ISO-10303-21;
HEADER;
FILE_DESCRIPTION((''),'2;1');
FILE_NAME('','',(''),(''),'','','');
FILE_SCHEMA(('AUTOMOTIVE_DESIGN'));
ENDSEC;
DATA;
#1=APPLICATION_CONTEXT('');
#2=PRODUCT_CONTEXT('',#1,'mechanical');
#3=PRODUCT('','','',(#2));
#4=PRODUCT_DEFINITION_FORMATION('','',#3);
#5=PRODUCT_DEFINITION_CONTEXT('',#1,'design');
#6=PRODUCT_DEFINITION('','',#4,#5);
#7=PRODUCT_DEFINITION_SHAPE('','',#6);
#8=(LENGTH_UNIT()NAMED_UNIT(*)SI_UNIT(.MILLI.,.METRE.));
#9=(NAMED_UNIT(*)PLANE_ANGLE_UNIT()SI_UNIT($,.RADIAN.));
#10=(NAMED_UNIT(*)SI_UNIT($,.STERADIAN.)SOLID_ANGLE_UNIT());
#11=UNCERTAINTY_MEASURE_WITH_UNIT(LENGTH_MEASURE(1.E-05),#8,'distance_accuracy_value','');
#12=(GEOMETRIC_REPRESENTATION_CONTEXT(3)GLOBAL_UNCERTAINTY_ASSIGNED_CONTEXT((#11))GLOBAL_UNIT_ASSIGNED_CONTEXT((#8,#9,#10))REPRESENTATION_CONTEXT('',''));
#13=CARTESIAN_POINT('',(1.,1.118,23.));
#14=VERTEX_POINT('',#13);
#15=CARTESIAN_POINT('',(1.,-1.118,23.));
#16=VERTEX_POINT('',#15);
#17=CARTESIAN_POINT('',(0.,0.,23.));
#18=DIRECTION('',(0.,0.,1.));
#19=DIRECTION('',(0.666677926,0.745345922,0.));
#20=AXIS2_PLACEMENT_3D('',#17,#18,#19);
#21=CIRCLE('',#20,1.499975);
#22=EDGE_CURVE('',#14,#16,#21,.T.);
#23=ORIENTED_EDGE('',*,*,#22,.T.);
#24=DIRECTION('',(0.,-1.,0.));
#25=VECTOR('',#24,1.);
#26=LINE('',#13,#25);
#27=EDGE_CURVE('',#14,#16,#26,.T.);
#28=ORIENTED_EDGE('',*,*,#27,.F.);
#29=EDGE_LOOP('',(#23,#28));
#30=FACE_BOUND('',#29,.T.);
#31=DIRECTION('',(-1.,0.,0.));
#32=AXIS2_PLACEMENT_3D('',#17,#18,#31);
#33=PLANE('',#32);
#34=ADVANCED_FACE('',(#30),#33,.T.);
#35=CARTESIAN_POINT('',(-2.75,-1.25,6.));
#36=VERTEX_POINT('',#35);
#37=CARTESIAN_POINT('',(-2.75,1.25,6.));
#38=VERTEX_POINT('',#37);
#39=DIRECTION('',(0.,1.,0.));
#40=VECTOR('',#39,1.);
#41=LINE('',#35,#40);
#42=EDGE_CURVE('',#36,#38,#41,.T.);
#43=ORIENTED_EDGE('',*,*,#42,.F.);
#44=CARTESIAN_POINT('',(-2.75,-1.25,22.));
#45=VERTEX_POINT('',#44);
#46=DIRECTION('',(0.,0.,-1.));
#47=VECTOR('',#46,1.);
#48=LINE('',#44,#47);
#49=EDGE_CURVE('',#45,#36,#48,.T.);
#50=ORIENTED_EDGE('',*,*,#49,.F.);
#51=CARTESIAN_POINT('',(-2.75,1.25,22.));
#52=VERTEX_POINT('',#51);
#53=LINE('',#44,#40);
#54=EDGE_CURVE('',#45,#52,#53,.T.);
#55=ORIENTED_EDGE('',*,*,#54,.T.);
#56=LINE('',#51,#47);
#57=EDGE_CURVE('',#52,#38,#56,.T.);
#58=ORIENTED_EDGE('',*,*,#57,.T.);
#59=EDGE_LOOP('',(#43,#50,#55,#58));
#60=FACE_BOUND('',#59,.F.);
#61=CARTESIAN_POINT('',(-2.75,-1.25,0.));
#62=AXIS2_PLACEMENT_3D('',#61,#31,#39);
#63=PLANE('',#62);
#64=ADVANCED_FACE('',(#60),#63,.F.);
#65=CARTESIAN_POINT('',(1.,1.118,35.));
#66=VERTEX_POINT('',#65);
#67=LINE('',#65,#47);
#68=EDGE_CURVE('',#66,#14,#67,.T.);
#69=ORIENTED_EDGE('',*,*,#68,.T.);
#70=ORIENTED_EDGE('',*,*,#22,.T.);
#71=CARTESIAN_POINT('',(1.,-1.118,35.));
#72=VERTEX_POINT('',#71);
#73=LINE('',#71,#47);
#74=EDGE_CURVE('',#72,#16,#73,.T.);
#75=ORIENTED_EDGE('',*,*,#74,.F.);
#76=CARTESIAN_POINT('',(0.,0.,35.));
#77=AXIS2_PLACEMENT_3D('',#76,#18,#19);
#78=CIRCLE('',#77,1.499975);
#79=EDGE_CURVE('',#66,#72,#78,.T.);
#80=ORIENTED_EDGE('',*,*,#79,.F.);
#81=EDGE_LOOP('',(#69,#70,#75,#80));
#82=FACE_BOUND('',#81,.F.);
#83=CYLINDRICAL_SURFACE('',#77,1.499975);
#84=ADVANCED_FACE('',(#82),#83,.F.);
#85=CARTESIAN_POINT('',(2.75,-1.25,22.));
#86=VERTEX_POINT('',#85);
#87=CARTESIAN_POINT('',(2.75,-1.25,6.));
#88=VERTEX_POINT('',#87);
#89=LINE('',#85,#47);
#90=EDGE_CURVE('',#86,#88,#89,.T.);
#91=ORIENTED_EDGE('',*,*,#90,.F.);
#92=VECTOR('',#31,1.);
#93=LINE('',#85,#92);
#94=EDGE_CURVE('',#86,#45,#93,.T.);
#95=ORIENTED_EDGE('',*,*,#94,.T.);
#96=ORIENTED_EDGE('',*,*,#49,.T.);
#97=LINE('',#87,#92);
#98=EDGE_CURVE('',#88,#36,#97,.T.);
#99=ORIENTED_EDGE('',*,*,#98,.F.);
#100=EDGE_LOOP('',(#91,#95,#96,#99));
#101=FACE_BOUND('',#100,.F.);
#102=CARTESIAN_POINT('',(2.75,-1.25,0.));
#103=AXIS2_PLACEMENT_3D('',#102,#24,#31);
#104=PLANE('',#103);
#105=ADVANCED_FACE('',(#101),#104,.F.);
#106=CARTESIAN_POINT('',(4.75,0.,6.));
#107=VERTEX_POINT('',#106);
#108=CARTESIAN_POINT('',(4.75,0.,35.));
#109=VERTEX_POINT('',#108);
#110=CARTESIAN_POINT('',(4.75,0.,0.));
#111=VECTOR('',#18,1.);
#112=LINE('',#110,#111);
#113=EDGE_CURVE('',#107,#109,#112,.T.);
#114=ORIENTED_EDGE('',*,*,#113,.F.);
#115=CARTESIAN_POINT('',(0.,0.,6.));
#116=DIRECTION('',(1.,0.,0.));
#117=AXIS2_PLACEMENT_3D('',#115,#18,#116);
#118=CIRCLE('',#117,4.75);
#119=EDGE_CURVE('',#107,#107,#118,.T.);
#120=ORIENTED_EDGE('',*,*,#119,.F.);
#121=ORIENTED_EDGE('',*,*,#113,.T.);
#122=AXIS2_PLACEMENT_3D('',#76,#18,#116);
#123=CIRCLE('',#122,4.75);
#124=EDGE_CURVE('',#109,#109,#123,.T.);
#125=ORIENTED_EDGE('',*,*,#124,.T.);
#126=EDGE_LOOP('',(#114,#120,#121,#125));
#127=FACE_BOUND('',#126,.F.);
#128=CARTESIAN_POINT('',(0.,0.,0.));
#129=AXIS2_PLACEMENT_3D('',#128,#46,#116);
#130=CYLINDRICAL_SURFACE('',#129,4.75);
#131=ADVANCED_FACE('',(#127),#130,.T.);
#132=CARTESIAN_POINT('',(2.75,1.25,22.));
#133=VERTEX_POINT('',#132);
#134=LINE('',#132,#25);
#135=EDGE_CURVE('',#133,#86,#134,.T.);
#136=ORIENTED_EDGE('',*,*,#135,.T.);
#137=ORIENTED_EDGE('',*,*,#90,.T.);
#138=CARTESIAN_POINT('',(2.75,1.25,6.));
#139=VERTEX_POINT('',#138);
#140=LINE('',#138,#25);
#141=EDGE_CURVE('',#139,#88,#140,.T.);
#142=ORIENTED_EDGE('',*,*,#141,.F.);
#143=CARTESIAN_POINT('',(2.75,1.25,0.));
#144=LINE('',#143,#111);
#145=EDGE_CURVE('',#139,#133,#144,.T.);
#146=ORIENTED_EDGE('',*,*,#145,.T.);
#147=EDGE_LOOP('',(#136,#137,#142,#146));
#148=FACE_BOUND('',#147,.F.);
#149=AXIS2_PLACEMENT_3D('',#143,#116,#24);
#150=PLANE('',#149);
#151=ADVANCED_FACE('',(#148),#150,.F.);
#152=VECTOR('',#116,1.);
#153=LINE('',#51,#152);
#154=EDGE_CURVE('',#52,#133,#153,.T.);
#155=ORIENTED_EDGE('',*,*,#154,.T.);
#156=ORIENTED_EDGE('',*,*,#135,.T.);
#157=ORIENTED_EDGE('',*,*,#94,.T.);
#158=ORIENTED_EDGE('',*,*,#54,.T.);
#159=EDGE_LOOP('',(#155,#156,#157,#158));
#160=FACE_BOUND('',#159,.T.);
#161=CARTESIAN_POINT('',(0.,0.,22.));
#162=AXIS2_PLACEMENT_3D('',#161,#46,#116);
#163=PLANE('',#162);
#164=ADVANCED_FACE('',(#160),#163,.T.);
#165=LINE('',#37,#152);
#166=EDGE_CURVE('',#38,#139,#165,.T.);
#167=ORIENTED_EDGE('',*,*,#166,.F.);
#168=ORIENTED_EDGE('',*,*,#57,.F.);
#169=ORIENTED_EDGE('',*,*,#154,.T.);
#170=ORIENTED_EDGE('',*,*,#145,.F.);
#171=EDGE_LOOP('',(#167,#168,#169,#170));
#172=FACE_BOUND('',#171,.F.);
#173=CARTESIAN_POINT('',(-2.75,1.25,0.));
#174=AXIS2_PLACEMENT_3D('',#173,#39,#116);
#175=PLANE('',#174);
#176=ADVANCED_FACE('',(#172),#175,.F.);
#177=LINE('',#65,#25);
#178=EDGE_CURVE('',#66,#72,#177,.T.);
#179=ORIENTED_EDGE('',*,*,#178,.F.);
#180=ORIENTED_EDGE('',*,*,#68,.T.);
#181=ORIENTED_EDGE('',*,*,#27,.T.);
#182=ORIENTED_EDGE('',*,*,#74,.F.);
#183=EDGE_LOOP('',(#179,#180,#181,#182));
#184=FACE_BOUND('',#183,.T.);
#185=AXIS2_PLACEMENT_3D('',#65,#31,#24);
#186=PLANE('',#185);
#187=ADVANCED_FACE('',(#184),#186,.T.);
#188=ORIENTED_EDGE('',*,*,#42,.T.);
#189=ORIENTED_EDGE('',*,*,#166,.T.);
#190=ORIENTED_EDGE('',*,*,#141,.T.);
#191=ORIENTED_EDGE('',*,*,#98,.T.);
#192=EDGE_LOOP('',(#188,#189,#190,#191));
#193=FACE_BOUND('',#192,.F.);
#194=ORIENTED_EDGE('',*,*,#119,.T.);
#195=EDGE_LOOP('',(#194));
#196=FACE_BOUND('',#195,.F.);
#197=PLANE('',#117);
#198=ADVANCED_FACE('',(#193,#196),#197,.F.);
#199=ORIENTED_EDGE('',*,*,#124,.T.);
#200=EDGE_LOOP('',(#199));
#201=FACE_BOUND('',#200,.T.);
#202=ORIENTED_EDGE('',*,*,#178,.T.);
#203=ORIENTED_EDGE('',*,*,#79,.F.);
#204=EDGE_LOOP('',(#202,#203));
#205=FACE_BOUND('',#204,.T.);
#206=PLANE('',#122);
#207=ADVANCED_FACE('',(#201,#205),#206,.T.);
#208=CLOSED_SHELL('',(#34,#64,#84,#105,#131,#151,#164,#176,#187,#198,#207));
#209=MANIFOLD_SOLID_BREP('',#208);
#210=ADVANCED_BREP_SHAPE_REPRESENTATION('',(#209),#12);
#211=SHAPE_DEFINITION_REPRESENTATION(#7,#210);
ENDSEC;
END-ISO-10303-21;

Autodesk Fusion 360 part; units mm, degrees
sketch "Sketch1" plane through (0, 0, 0) normal (0, 0, 1) x (1, 0, 0)
  circle A0 centre (0, 0) radius 4.75
  dimension "d1" = 9.5
extrude "Extrude1" add sketch "Sketch1" along normal blind 35
sketch "Sketch2" plane through (0, 0, 35) normal (0, 0, 1) x (-1, 0, 0)
  circle A0 centre (0, 0) radius 4.75
  arc A1 (-1, -1.118) -> (-1, 1.118) centre (0, 0) ccw
  line L0 (-1, -1.118) -> (-1, 1.118)
extrude "Extrude2" cut sketch "Sketch2" against normal blind 12 contours A1 L0
sketch "Sketch3" plane through (0, 0, 0) normal (0, 0, -1) x (1, 0, 0)
  circle A0 centre (0, 0) radius 4.75
  line L0 (2.75, 1.25) -> (-2.75, 1.25)
  line L1 (-2.75, 1.25) -> (-2.75, -1.25)
  line L2 (-2.75, -1.25) -> (2.75, -1.25)
  line L3 (2.75, -1.25) -> (2.75, 1.25)
  dimension "d9" = 5.5
  dimension "d10" = 2.5
extrude "Extrude3" cut sketch "Sketch3" against normal blind 18 contours L0 L1 L2 L3
extrude "Extrude4" cut 1 faces at (-0.9167, -0.4167, 18) along direction (0, 0, 1) blind 4
extrude "Extrude5" cut 1 faces at (0.1183, 2.4122, 0) along direction (0, 0, 1) blind 5
extrude "Extrude6" cut 1 faces at (0.1183, 2.4122, 5) along direction (0, 0, 1) blind 1
